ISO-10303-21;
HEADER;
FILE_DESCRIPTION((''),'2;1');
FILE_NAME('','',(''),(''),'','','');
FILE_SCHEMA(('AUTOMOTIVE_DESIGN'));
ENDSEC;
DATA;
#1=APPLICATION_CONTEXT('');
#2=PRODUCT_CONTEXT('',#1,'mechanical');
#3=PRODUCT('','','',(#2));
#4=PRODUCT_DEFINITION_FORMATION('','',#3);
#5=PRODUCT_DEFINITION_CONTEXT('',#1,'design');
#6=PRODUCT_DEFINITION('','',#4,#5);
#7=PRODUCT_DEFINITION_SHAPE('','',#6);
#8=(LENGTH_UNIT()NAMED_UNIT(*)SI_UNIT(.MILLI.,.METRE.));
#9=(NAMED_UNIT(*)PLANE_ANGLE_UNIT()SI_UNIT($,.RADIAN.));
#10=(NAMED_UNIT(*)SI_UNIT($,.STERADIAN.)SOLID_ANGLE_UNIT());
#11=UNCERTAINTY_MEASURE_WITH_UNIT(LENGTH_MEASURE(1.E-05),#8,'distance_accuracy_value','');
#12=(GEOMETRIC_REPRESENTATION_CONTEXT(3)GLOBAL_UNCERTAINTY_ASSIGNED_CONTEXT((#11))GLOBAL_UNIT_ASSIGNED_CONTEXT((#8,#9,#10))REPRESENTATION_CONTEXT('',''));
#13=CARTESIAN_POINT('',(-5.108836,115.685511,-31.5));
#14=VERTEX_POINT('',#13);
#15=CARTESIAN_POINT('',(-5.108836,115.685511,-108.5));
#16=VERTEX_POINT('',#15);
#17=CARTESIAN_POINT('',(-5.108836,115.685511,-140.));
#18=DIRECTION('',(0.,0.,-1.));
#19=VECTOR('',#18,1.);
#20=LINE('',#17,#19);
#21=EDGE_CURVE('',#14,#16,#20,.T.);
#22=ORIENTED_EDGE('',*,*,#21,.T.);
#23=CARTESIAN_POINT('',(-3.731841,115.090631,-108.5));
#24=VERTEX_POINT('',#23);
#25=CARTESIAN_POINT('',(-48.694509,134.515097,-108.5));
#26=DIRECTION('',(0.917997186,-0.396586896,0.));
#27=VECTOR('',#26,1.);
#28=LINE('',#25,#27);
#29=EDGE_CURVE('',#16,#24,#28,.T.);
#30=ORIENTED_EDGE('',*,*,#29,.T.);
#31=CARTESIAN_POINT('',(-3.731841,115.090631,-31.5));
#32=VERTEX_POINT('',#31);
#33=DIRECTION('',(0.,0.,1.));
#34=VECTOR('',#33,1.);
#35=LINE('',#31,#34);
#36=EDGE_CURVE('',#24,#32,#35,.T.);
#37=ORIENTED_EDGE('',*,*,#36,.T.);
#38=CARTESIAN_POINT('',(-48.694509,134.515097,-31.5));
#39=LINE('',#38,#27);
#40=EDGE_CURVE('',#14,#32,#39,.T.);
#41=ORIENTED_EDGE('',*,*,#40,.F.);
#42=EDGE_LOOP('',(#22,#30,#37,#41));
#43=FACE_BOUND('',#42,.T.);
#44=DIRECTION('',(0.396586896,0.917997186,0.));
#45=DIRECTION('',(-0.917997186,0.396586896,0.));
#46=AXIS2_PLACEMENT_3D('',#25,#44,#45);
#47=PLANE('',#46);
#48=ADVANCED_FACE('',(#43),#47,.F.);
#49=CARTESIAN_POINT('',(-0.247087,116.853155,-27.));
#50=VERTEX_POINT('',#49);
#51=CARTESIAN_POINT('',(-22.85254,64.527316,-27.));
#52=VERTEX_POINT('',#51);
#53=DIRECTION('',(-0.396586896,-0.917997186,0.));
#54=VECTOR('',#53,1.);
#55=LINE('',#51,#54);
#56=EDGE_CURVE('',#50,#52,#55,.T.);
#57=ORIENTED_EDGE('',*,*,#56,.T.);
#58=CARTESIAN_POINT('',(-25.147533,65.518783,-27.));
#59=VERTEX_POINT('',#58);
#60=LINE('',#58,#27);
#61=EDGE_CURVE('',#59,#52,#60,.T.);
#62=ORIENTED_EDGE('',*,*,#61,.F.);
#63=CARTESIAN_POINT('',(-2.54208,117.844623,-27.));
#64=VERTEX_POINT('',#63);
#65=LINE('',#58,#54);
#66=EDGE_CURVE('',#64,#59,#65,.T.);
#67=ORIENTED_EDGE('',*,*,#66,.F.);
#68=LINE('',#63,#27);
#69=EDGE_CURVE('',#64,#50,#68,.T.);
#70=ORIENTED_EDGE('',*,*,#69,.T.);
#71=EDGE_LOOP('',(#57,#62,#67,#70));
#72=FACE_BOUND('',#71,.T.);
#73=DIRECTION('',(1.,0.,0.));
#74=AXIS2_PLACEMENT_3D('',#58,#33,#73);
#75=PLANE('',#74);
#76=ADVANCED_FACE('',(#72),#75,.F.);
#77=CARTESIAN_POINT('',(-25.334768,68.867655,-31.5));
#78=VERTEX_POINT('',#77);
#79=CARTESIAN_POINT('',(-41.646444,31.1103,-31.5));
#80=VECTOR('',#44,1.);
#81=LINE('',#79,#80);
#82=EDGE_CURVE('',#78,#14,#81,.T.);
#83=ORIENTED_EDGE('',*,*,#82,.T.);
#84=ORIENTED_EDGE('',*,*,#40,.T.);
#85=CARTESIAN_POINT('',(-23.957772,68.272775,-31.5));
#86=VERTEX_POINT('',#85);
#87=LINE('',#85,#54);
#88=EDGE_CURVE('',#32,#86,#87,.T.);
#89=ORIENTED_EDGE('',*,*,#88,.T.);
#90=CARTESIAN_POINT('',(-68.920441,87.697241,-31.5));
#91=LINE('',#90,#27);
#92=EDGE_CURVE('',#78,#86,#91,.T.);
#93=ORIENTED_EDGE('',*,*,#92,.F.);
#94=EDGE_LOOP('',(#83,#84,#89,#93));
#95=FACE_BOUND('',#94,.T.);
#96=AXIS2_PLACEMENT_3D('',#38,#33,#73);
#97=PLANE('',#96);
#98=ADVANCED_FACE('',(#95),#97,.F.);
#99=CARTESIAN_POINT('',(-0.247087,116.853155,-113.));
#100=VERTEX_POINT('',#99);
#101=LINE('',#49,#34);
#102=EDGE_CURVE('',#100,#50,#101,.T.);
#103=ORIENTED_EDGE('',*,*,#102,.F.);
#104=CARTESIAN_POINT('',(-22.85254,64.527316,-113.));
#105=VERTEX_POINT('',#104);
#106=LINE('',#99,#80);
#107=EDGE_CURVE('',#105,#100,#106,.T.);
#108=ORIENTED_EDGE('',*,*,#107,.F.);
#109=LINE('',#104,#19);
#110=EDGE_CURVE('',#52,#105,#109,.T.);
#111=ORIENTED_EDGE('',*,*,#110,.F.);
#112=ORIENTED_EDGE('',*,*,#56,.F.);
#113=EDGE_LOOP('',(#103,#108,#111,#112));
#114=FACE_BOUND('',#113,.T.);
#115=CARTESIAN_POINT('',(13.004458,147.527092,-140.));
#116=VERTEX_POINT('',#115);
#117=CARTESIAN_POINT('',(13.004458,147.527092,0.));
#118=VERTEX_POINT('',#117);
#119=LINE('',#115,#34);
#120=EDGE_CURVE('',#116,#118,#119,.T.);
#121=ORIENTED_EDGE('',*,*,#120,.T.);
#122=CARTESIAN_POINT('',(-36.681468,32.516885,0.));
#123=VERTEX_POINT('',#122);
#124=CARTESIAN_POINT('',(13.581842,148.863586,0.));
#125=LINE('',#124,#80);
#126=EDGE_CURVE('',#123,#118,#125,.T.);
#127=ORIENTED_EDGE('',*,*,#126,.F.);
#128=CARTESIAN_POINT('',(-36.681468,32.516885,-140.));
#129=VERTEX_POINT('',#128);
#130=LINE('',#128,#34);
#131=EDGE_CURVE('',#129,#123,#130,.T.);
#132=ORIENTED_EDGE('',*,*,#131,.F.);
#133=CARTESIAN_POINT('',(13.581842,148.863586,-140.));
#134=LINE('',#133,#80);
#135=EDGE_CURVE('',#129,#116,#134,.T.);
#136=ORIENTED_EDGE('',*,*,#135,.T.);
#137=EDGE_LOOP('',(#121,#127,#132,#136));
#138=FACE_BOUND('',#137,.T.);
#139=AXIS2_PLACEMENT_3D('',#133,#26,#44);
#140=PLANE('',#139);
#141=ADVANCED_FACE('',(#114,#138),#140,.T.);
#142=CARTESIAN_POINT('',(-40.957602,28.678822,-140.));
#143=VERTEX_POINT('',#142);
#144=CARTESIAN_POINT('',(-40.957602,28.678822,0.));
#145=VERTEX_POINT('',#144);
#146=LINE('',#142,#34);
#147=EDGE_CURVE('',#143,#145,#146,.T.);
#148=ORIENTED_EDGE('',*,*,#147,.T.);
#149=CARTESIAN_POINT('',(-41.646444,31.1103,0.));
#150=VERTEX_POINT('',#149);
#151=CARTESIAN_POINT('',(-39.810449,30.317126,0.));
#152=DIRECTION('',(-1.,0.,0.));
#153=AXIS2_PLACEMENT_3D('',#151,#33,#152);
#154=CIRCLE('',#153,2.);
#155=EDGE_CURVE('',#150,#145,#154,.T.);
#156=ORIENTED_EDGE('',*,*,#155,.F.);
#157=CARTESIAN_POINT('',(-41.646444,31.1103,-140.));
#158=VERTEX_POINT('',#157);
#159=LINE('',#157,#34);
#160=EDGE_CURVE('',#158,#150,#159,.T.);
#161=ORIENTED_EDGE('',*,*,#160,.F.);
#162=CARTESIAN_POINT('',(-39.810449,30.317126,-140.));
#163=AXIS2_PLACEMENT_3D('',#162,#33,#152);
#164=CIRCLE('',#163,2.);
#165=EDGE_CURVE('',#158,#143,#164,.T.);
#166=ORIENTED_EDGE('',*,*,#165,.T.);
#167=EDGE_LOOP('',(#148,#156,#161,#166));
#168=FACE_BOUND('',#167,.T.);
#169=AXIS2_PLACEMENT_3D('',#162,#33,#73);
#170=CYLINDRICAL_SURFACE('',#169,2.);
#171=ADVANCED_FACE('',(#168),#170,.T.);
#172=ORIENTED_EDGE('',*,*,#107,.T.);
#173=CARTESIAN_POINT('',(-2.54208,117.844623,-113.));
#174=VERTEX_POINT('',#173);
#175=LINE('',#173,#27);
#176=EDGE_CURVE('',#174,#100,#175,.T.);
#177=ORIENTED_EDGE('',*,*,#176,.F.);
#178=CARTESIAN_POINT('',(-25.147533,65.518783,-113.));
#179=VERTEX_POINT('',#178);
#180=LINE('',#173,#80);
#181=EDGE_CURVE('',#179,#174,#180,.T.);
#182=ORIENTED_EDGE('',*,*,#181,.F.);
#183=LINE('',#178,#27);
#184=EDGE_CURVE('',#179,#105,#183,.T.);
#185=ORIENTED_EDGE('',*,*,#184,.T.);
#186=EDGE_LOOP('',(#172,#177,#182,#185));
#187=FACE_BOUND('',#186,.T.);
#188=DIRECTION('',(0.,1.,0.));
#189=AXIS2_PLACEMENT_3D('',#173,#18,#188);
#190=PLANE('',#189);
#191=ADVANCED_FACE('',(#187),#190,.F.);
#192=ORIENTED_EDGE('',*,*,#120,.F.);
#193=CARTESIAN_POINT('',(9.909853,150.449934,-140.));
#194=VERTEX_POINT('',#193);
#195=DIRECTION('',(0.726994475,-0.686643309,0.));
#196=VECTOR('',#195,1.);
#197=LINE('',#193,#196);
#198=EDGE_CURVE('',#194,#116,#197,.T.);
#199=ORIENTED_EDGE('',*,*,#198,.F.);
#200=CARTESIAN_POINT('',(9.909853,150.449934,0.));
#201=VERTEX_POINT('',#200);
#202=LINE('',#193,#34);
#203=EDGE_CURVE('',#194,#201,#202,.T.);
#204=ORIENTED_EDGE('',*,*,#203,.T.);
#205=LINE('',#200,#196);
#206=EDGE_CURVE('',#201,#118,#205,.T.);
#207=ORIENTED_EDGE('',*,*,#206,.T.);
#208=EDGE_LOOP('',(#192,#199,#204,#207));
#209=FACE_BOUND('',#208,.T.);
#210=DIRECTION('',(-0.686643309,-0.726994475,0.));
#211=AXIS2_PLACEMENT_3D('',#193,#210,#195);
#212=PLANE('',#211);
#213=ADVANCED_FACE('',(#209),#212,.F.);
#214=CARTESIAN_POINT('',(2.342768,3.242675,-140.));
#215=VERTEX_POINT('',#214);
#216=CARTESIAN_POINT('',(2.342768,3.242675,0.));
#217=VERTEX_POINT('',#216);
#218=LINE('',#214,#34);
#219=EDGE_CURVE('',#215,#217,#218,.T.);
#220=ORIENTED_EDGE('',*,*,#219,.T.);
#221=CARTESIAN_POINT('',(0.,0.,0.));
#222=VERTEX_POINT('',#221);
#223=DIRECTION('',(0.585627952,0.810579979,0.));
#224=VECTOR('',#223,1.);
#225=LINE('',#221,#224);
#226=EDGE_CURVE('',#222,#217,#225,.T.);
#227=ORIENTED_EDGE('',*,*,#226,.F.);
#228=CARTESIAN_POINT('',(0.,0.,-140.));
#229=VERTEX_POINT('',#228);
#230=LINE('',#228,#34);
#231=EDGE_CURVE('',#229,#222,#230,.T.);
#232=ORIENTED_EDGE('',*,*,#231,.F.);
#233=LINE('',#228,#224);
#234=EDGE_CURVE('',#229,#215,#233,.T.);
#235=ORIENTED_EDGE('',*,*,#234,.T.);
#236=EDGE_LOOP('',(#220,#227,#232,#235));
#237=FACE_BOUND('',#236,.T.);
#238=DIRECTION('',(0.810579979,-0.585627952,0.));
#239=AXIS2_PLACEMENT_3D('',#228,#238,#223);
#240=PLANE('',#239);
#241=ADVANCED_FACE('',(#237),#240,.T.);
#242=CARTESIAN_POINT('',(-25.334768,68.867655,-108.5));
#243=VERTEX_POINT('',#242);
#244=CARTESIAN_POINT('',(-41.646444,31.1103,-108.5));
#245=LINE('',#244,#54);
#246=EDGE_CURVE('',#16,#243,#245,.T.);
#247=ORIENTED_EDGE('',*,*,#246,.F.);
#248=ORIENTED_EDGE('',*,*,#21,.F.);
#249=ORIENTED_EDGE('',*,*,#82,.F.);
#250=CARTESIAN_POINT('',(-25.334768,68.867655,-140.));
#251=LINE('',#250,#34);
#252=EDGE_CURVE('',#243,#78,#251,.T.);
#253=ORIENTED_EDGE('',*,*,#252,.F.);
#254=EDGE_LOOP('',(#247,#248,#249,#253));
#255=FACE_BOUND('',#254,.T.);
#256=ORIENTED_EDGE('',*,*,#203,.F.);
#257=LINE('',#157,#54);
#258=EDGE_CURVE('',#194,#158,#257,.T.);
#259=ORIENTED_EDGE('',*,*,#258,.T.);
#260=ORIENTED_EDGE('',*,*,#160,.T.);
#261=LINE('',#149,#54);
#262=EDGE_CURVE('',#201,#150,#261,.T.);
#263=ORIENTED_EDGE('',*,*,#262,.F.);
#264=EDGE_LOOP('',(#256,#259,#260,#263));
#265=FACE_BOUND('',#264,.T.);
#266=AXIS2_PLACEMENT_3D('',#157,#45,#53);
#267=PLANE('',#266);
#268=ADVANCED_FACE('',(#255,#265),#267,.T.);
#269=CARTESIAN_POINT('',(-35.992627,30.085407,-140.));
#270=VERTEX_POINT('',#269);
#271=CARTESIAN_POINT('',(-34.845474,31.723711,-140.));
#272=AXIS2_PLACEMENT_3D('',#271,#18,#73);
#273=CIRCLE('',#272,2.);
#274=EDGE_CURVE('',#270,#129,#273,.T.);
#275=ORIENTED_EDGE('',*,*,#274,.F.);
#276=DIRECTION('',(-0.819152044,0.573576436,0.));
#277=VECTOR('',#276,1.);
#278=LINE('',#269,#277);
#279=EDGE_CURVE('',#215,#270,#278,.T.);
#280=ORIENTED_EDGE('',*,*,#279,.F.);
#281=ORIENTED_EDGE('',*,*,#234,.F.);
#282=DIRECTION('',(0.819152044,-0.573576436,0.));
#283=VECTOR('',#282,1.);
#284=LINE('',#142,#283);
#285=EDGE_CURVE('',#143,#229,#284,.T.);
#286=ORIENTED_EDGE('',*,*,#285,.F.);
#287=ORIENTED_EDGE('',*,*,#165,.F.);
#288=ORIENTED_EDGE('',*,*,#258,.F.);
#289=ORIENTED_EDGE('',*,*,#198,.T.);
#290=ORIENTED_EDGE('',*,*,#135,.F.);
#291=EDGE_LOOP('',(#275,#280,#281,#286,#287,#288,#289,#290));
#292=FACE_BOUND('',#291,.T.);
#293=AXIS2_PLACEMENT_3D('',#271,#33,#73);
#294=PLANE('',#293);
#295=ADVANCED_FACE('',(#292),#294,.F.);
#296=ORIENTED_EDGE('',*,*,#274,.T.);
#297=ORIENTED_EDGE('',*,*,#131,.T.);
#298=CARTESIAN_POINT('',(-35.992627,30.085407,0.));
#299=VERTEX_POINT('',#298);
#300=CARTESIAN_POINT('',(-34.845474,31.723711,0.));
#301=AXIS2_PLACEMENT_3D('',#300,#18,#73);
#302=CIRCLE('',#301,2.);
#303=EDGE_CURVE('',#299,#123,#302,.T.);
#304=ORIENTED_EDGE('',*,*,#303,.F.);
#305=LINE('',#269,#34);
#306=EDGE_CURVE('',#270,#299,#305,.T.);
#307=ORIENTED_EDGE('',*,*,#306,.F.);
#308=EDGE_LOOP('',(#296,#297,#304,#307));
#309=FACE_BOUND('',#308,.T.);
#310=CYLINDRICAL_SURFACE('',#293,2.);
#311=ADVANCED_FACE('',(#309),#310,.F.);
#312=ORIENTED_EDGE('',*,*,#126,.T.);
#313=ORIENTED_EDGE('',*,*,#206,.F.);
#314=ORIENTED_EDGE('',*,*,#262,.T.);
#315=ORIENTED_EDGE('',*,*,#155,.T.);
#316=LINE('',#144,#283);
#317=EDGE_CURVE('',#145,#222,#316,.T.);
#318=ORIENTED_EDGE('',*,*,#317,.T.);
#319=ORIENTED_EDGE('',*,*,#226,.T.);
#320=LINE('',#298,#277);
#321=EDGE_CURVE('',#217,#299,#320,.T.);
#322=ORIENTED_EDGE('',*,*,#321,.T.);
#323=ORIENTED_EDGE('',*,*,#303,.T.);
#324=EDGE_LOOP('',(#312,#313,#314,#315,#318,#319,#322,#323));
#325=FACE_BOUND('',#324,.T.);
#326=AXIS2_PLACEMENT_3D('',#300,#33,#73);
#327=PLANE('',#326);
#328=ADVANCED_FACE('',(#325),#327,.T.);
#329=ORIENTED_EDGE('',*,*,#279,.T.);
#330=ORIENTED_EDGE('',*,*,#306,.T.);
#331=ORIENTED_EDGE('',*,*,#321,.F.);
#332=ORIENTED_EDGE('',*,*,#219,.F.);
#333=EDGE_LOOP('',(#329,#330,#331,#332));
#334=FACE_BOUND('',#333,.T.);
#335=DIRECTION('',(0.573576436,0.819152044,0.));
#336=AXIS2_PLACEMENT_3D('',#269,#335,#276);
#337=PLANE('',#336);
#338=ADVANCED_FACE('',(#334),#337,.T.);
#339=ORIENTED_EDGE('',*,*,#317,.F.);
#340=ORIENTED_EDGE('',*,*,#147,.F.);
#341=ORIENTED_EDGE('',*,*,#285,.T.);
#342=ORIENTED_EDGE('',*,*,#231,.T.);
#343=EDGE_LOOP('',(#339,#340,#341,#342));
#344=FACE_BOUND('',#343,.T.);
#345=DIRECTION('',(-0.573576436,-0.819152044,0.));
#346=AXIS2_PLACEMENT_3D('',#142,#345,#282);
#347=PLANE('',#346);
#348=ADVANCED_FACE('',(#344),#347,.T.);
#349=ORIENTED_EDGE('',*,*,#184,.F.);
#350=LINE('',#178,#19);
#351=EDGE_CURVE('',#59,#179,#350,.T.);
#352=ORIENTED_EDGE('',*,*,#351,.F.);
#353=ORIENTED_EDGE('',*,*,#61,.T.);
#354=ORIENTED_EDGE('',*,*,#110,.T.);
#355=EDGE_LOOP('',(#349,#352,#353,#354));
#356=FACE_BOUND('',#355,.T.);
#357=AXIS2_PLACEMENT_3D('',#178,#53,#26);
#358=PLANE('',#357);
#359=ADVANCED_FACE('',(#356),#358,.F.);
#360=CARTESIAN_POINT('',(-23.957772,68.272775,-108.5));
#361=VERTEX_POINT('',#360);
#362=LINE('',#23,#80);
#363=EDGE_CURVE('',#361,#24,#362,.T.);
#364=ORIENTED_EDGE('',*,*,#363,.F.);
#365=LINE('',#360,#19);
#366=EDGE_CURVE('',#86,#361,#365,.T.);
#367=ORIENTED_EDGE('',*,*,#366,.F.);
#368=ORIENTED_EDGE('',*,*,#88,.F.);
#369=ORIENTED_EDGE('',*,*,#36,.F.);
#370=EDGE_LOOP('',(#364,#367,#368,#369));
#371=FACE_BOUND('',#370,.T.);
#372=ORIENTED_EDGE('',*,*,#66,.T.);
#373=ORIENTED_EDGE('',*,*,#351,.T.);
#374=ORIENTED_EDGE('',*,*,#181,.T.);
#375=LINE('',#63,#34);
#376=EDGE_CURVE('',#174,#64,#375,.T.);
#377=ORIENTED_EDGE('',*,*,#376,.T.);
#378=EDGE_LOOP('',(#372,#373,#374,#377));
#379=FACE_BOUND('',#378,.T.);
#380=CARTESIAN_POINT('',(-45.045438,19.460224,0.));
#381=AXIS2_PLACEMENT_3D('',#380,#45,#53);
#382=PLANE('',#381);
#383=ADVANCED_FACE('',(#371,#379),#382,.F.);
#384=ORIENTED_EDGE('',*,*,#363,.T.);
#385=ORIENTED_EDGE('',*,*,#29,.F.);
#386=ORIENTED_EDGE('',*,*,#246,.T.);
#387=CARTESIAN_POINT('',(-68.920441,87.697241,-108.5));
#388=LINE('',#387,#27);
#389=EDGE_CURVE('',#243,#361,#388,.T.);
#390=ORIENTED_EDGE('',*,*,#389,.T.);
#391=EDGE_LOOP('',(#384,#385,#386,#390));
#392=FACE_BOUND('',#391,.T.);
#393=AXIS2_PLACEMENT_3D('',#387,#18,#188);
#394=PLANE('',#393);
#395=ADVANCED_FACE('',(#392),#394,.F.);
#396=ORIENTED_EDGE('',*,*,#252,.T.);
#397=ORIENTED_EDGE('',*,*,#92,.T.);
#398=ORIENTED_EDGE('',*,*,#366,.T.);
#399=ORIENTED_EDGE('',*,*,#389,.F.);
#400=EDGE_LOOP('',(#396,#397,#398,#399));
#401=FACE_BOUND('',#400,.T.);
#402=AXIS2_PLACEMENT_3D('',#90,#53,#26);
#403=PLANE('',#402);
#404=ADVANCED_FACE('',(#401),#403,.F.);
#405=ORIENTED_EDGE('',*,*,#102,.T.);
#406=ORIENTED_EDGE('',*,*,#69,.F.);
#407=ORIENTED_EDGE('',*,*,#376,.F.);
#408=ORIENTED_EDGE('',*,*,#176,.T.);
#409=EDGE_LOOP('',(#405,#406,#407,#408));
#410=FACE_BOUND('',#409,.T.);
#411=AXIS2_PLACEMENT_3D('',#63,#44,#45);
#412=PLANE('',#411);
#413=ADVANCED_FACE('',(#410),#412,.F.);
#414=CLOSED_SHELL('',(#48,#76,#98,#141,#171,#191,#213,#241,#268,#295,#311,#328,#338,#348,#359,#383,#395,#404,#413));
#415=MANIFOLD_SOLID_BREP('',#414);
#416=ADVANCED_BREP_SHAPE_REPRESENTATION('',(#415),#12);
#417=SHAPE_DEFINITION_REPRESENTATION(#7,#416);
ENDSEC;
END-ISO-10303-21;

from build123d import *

# Parameters (mm, degrees)
RESSALTO_EXTRUS_O1_DEPTH = 140
ESBO_O3_W                = 86
ESBO_O3_H                = 57
ESBO_O3_W_2              = 77
ESBO_O3_H_2              = 51
CORTE_EXTRUS_O1_DEPTH    = 2.5
ESBO_O4_W                = 77
ESBO_O4_H                = 51
CORTE_EXTRUS_O2_DEPTH    = 201.480317617
CORTE_EXTRUS_O3_DEPTH    = 210.721949933


with BuildPart() as part:
    # Esboço1 → Ressalto-extrusão1 (new body)
    with BuildSketch(Plane.XY):
        with BuildLine():
            Line((-41.646443714, 31.110299699), (9.909852794, 150.449933896))
            Line((9.909852794, 150.449933896), (13.581841538, 148.863586311))
            Line((13.581841538, 148.863586311), (-36.681468487, 32.516884972))
            ThreePointArc((-36.681468487, 32.516884972), (-36.769743597, 31.178562616), (-35.992626987, 30.085407091))
            Line((-35.992626987, 30.085407091), (2.342768013, 3.242674532))
            Line((2.342768013, 3.242674532), (0, 0))
            Line((0, 0), (-40.957602214, 28.678821818))
            ThreePointArc((-40.957602214, 28.678821818), (-41.734718825, 29.771977342), (-41.646443714, 31.110299699))
        make_face()
    extrude(amount=-RESSALTO_EXTRUS_O1_DEPTH)

    # Esboço3 → Corte-extrusão1 (cut)
    with BuildSketch(Plane(origin=(-42.750445362, 18.468756434, 0), x_dir=(0, 0, -1), z_dir=(0.9179971861354039, -0.39658689621252097, 0))):
        with Locations((70, 78.672876452)):
            Rectangle(ESBO_O3_W, ESBO_O3_H)
        with Locations((70, 78.672876452)):
            Rectangle(ESBO_O3_W_2, ESBO_O3_H_2, mode=Mode.SUBTRACT)
    extrude(amount=-CORTE_EXTRUS_O1_DEPTH, mode=Mode.SUBTRACT)

    # Esboço4 → Corte-extrusão2 (cut, through all)
    with BuildSketch(Plane(origin=(-42.750445362, 18.468756434, 0), x_dir=(0, 0, -1), z_dir=(0.9179971861354039, -0.39658689621252097, 0))):
        with Locations((70, 78.672876452)):
            Rectangle(ESBO_O4_W, ESBO_O4_H)
    extrude(amount=-CORTE_EXTRUS_O2_DEPTH, mode=Mode.SUBTRACT)

    # Esboço5 → Corte-extrusão3 (cut, through all)
    with BuildSketch(Plane.XY):
        Polygon((9.909852794, 150.449933896), (13.004458236, 147.527091708), (13.581841538, 148.863586311), align=None)
    extrude(amount=-CORTE_EXTRUS_O3_DEPTH, mode=Mode.SUBTRACT)


solid = part.part
